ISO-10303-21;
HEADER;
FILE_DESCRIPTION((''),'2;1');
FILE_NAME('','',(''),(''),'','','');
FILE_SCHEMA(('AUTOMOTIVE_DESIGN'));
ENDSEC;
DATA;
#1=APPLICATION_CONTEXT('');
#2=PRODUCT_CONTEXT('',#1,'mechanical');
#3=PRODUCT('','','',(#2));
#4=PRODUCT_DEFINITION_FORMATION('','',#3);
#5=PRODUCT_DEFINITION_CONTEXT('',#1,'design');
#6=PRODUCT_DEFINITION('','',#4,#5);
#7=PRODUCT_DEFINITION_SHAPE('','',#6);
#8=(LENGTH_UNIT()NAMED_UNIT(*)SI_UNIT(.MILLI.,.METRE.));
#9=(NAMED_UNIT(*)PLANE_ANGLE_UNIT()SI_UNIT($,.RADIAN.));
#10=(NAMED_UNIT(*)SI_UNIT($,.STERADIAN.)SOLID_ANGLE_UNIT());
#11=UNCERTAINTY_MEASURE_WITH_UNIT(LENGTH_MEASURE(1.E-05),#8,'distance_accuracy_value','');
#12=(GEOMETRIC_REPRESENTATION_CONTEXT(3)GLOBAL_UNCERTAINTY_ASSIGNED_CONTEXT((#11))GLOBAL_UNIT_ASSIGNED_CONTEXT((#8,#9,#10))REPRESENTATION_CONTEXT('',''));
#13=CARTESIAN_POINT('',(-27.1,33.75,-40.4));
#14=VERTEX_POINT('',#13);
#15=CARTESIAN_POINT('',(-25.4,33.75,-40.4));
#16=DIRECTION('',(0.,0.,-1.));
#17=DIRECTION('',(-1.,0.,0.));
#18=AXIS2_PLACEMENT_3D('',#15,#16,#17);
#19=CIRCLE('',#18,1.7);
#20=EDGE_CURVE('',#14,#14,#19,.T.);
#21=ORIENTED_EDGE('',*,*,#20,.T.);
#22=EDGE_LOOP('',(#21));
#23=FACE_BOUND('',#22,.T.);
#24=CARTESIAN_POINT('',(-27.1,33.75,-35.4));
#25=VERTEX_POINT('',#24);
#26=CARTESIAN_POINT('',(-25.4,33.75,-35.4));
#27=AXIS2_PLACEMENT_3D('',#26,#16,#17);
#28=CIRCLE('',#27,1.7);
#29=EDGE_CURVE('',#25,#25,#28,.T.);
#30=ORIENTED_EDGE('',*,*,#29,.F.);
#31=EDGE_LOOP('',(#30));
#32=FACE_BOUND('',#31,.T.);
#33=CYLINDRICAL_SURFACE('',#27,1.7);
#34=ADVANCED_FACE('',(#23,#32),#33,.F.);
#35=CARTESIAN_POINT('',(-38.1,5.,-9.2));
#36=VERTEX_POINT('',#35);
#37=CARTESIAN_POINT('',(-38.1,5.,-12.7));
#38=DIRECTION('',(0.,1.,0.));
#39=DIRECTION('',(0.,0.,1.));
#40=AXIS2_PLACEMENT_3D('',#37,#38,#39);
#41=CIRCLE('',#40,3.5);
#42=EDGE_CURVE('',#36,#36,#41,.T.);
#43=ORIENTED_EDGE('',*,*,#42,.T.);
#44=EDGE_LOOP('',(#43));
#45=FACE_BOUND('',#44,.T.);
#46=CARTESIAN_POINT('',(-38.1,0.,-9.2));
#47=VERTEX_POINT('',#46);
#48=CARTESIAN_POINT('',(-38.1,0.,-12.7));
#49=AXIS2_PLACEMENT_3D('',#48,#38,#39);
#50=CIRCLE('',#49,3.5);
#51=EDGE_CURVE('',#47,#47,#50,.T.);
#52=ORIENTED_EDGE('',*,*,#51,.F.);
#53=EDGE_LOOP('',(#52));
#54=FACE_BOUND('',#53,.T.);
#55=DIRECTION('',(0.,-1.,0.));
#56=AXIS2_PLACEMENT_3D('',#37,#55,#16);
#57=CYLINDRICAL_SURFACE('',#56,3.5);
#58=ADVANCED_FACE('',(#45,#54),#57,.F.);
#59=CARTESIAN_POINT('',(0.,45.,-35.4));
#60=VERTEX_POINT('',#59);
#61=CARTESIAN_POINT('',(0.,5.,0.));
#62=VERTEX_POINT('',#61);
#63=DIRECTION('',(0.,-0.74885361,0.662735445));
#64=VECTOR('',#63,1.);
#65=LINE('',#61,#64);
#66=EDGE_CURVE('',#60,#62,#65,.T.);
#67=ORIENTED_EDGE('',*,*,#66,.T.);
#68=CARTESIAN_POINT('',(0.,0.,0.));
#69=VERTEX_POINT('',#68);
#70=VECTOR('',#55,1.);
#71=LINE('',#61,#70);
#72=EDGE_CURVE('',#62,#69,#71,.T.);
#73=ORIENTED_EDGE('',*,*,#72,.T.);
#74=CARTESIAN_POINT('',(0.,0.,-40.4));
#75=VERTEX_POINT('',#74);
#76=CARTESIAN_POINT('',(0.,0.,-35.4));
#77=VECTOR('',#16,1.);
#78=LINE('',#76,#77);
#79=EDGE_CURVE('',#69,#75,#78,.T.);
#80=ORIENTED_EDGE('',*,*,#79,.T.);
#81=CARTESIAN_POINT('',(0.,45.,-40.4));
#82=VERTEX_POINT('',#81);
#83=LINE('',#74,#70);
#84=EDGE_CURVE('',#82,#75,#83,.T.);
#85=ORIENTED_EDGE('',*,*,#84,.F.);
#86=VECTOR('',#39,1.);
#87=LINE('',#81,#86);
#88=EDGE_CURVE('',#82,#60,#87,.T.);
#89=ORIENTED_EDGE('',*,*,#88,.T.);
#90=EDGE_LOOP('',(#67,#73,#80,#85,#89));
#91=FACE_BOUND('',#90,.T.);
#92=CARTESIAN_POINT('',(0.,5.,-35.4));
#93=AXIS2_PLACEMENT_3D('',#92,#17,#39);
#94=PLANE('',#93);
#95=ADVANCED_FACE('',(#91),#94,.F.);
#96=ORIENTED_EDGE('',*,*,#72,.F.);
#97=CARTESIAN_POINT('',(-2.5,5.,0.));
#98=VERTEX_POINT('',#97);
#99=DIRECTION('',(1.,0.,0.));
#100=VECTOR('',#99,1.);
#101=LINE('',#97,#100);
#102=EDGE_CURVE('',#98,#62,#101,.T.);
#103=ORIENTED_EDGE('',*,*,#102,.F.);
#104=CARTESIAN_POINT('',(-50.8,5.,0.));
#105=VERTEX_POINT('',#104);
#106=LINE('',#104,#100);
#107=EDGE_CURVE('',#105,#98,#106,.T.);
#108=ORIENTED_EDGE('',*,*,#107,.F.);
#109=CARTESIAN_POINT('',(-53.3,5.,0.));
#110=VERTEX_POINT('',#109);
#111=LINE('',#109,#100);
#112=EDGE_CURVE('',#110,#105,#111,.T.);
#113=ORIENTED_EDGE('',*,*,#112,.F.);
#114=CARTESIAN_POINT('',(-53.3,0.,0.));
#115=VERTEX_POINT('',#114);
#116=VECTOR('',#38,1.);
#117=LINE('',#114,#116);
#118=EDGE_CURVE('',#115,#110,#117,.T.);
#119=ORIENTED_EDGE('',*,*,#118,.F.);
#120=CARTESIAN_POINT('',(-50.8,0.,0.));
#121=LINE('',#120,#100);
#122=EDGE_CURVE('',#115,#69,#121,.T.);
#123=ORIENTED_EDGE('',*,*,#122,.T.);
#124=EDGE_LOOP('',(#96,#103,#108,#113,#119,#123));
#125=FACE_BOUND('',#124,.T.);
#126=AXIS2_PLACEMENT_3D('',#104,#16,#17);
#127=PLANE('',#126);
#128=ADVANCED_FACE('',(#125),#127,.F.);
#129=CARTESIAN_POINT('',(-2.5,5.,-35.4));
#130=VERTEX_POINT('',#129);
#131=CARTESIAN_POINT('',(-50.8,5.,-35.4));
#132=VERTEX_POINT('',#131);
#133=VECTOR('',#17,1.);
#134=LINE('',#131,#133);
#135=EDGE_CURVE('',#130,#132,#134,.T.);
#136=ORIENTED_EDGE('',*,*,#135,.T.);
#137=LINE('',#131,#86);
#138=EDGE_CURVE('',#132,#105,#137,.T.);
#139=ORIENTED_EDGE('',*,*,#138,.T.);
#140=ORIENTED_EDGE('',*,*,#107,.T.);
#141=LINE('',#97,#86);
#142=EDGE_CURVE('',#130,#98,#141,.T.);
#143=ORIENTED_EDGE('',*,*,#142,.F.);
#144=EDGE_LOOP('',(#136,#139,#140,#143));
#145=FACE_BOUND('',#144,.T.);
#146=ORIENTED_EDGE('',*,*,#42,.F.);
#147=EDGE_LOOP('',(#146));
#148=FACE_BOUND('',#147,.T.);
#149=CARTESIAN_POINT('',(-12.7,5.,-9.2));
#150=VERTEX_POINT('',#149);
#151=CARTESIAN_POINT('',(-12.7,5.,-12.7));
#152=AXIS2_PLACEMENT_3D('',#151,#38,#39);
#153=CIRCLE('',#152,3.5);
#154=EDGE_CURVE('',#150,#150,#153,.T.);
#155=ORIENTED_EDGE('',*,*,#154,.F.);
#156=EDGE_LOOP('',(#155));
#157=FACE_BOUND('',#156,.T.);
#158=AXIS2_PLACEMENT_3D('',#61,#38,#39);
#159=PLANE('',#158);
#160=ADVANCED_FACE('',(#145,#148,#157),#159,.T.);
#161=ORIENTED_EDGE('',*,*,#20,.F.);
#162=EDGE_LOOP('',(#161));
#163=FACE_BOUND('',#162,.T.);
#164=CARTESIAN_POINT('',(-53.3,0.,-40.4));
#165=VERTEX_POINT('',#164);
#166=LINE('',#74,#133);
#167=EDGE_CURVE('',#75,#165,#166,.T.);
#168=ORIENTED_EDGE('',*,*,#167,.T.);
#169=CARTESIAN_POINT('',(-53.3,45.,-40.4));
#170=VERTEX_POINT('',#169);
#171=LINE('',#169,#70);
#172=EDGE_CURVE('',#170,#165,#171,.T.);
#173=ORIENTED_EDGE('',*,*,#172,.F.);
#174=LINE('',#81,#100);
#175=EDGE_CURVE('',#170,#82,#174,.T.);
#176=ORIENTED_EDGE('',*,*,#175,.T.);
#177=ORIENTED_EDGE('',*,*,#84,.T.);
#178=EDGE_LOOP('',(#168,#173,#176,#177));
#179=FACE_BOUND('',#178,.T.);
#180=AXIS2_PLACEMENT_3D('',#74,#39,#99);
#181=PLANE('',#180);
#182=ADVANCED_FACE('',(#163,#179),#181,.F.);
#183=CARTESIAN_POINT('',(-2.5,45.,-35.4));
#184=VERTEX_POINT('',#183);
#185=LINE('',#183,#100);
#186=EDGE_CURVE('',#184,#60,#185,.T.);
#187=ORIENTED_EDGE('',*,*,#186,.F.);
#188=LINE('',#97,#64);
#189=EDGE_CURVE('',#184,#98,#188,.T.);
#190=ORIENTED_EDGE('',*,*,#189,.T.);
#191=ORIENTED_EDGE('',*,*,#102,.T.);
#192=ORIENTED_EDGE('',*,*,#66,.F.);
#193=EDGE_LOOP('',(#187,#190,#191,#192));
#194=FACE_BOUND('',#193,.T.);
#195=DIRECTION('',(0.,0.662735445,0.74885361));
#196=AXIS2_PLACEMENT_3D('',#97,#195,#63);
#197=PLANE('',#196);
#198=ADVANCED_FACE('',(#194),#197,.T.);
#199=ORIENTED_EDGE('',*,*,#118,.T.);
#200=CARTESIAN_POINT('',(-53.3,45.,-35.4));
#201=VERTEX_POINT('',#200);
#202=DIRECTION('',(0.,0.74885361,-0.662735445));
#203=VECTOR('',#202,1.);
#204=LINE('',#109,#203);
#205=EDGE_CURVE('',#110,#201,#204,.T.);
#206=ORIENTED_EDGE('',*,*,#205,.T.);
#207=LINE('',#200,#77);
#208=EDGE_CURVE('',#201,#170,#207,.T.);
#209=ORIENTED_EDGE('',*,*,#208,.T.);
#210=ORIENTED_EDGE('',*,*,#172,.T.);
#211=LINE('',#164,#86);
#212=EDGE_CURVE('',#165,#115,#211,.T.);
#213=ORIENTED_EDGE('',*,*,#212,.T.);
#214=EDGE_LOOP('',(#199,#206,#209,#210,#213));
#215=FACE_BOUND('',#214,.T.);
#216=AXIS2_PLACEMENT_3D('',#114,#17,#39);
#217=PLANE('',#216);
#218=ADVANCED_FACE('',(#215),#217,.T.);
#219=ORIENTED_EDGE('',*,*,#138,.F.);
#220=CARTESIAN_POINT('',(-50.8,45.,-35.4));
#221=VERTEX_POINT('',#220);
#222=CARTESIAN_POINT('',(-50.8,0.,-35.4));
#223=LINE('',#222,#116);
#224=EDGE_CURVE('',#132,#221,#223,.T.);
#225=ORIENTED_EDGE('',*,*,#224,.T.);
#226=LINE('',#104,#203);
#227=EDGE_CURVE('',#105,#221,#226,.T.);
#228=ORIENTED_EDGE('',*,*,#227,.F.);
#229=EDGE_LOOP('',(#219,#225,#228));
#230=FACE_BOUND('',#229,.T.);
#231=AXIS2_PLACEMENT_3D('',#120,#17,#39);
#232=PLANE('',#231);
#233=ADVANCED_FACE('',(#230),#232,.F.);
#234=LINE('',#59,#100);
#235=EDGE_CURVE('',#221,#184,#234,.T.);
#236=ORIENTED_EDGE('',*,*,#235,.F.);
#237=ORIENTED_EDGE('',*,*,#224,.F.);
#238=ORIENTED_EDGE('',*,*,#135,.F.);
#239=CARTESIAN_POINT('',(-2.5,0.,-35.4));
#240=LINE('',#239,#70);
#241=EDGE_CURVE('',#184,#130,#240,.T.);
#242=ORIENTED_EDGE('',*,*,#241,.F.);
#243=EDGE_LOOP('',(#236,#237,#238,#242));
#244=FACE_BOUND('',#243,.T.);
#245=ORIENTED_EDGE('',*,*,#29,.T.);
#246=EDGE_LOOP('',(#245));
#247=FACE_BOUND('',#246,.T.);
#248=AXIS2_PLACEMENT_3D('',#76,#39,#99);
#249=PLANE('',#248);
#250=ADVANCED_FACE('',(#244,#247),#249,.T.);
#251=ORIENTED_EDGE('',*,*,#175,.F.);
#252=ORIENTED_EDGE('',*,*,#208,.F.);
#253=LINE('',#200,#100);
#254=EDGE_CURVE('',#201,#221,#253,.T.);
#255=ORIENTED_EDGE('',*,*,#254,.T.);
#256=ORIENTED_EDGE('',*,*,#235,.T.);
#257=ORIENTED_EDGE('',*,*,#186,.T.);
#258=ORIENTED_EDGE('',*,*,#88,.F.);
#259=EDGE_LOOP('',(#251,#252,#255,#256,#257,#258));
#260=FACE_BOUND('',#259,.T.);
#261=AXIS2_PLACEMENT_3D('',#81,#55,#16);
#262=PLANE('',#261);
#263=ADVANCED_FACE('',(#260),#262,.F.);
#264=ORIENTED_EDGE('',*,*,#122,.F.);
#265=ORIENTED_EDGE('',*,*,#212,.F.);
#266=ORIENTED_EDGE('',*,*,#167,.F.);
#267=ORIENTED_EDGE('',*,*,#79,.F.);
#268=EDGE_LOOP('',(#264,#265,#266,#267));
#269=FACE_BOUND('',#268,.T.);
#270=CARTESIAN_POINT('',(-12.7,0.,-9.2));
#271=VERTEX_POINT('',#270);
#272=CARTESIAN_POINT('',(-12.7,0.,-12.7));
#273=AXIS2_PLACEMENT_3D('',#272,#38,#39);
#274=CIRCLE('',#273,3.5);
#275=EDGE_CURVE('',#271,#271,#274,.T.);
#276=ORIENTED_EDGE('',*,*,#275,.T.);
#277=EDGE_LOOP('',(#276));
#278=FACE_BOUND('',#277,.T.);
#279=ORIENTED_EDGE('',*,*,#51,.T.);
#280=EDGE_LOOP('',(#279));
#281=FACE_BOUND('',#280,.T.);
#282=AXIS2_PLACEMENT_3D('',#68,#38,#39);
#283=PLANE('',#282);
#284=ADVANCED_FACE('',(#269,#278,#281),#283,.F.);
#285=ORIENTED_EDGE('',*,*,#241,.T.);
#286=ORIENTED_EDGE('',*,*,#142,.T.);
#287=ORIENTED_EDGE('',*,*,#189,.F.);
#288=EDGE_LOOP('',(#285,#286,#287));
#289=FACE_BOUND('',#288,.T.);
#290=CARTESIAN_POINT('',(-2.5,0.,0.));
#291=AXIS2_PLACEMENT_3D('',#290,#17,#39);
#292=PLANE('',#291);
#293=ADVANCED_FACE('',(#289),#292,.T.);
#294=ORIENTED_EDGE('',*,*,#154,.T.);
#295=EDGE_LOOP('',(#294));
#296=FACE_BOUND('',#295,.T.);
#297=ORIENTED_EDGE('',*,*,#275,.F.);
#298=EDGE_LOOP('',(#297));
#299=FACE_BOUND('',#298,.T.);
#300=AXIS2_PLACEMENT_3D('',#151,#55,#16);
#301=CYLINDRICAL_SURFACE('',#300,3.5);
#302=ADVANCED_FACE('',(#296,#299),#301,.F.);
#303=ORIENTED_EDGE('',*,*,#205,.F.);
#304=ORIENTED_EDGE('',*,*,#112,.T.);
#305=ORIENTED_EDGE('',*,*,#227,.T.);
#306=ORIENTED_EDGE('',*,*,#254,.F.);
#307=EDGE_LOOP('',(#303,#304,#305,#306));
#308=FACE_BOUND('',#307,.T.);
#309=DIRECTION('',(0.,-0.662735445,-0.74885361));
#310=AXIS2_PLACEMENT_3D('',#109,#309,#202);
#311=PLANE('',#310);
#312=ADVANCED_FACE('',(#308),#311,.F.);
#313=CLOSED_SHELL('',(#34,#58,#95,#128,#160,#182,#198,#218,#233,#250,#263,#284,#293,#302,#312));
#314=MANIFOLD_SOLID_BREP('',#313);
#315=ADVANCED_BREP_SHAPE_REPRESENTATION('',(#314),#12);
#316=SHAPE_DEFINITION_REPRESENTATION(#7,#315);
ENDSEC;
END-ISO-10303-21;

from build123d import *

# Parameters (mm, degrees)
SKETCH1_W           = 50.8
SKETCH1_H           = 35.4
SKETCH1_R           = 3.5
BOSS_EXTRUDE1_DEPTH = 5
SKETCH2_W           = 50.8
SKETCH2_H           = 45
BOSS_EXTRUDE2_DEPTH = 5
SKETCH3_R           = 1.7
CUT_EXTRUDE1_DEPTH  = 5
BOSS_EXTRUDE3_DEPTH = 2.5
BOSS_EXTRUDE4_DEPTH = 2.5


with BuildPart() as part:
    # Sketch1 → Boss-Extrude1 (new body)
    with BuildSketch(Plane(origin=(0, 0, 0), x_dir=(1, 0, 0), z_dir=(0, 1, 0))):
        with Locations((-25.4, 17.7)):
            Rectangle(SKETCH1_W, SKETCH1_H)
        with Locations((-38.1, 12.7)):
            Circle(SKETCH1_R, mode=Mode.SUBTRACT)
        with Locations((-12.7, 12.7)):
            Circle(SKETCH1_R, mode=Mode.SUBTRACT)
    extrude(amount=BOSS_EXTRUDE1_DEPTH)

    # Sketch2 → Boss-Extrude2 (add)
    with BuildSketch(Plane(origin=(0, 0, -35.4), x_dir=(-1, 0, 0), z_dir=(0, 0, -1))):
        with Locations((25.4, 22.5)):
            Rectangle(SKETCH2_W, SKETCH2_H)
    extrude(amount=BOSS_EXTRUDE2_DEPTH)

    # Sketch3 → Cut-Extrude1 (cut)
    with BuildSketch(Plane(origin=(0, 0, -40.4), x_dir=(-1, 0, 0), z_dir=(0, 0, -1))):
        with Locations((25.4, 33.75)):
            Circle(SKETCH3_R)
    extrude(amount=-CUT_EXTRUDE1_DEPTH, mode=Mode.SUBTRACT)

    # Sketch4 → Boss-Extrude3 (add)
    with BuildSketch(Plane(origin=(0, 0, 0), x_dir=(0, 0, -1), z_dir=(1, 0, 0))):
        Polygon((0, 5), (35.4, 45), (40.4, 45), (40.4, 0), (0, 0), align=None)
    extrude(amount=-BOSS_EXTRUDE3_DEPTH)

    # Sketch5 → Boss-Extrude4 (add)
    with BuildSketch(Plane.ZY.offset(50.8)):
        Polygon((-35.4, 45), (-40.4, 45), (-40.4, 0), (0, 0), (0, 5), align=None)
    extrude(amount=BOSS_EXTRUDE4_DEPTH)


solid = part.part
